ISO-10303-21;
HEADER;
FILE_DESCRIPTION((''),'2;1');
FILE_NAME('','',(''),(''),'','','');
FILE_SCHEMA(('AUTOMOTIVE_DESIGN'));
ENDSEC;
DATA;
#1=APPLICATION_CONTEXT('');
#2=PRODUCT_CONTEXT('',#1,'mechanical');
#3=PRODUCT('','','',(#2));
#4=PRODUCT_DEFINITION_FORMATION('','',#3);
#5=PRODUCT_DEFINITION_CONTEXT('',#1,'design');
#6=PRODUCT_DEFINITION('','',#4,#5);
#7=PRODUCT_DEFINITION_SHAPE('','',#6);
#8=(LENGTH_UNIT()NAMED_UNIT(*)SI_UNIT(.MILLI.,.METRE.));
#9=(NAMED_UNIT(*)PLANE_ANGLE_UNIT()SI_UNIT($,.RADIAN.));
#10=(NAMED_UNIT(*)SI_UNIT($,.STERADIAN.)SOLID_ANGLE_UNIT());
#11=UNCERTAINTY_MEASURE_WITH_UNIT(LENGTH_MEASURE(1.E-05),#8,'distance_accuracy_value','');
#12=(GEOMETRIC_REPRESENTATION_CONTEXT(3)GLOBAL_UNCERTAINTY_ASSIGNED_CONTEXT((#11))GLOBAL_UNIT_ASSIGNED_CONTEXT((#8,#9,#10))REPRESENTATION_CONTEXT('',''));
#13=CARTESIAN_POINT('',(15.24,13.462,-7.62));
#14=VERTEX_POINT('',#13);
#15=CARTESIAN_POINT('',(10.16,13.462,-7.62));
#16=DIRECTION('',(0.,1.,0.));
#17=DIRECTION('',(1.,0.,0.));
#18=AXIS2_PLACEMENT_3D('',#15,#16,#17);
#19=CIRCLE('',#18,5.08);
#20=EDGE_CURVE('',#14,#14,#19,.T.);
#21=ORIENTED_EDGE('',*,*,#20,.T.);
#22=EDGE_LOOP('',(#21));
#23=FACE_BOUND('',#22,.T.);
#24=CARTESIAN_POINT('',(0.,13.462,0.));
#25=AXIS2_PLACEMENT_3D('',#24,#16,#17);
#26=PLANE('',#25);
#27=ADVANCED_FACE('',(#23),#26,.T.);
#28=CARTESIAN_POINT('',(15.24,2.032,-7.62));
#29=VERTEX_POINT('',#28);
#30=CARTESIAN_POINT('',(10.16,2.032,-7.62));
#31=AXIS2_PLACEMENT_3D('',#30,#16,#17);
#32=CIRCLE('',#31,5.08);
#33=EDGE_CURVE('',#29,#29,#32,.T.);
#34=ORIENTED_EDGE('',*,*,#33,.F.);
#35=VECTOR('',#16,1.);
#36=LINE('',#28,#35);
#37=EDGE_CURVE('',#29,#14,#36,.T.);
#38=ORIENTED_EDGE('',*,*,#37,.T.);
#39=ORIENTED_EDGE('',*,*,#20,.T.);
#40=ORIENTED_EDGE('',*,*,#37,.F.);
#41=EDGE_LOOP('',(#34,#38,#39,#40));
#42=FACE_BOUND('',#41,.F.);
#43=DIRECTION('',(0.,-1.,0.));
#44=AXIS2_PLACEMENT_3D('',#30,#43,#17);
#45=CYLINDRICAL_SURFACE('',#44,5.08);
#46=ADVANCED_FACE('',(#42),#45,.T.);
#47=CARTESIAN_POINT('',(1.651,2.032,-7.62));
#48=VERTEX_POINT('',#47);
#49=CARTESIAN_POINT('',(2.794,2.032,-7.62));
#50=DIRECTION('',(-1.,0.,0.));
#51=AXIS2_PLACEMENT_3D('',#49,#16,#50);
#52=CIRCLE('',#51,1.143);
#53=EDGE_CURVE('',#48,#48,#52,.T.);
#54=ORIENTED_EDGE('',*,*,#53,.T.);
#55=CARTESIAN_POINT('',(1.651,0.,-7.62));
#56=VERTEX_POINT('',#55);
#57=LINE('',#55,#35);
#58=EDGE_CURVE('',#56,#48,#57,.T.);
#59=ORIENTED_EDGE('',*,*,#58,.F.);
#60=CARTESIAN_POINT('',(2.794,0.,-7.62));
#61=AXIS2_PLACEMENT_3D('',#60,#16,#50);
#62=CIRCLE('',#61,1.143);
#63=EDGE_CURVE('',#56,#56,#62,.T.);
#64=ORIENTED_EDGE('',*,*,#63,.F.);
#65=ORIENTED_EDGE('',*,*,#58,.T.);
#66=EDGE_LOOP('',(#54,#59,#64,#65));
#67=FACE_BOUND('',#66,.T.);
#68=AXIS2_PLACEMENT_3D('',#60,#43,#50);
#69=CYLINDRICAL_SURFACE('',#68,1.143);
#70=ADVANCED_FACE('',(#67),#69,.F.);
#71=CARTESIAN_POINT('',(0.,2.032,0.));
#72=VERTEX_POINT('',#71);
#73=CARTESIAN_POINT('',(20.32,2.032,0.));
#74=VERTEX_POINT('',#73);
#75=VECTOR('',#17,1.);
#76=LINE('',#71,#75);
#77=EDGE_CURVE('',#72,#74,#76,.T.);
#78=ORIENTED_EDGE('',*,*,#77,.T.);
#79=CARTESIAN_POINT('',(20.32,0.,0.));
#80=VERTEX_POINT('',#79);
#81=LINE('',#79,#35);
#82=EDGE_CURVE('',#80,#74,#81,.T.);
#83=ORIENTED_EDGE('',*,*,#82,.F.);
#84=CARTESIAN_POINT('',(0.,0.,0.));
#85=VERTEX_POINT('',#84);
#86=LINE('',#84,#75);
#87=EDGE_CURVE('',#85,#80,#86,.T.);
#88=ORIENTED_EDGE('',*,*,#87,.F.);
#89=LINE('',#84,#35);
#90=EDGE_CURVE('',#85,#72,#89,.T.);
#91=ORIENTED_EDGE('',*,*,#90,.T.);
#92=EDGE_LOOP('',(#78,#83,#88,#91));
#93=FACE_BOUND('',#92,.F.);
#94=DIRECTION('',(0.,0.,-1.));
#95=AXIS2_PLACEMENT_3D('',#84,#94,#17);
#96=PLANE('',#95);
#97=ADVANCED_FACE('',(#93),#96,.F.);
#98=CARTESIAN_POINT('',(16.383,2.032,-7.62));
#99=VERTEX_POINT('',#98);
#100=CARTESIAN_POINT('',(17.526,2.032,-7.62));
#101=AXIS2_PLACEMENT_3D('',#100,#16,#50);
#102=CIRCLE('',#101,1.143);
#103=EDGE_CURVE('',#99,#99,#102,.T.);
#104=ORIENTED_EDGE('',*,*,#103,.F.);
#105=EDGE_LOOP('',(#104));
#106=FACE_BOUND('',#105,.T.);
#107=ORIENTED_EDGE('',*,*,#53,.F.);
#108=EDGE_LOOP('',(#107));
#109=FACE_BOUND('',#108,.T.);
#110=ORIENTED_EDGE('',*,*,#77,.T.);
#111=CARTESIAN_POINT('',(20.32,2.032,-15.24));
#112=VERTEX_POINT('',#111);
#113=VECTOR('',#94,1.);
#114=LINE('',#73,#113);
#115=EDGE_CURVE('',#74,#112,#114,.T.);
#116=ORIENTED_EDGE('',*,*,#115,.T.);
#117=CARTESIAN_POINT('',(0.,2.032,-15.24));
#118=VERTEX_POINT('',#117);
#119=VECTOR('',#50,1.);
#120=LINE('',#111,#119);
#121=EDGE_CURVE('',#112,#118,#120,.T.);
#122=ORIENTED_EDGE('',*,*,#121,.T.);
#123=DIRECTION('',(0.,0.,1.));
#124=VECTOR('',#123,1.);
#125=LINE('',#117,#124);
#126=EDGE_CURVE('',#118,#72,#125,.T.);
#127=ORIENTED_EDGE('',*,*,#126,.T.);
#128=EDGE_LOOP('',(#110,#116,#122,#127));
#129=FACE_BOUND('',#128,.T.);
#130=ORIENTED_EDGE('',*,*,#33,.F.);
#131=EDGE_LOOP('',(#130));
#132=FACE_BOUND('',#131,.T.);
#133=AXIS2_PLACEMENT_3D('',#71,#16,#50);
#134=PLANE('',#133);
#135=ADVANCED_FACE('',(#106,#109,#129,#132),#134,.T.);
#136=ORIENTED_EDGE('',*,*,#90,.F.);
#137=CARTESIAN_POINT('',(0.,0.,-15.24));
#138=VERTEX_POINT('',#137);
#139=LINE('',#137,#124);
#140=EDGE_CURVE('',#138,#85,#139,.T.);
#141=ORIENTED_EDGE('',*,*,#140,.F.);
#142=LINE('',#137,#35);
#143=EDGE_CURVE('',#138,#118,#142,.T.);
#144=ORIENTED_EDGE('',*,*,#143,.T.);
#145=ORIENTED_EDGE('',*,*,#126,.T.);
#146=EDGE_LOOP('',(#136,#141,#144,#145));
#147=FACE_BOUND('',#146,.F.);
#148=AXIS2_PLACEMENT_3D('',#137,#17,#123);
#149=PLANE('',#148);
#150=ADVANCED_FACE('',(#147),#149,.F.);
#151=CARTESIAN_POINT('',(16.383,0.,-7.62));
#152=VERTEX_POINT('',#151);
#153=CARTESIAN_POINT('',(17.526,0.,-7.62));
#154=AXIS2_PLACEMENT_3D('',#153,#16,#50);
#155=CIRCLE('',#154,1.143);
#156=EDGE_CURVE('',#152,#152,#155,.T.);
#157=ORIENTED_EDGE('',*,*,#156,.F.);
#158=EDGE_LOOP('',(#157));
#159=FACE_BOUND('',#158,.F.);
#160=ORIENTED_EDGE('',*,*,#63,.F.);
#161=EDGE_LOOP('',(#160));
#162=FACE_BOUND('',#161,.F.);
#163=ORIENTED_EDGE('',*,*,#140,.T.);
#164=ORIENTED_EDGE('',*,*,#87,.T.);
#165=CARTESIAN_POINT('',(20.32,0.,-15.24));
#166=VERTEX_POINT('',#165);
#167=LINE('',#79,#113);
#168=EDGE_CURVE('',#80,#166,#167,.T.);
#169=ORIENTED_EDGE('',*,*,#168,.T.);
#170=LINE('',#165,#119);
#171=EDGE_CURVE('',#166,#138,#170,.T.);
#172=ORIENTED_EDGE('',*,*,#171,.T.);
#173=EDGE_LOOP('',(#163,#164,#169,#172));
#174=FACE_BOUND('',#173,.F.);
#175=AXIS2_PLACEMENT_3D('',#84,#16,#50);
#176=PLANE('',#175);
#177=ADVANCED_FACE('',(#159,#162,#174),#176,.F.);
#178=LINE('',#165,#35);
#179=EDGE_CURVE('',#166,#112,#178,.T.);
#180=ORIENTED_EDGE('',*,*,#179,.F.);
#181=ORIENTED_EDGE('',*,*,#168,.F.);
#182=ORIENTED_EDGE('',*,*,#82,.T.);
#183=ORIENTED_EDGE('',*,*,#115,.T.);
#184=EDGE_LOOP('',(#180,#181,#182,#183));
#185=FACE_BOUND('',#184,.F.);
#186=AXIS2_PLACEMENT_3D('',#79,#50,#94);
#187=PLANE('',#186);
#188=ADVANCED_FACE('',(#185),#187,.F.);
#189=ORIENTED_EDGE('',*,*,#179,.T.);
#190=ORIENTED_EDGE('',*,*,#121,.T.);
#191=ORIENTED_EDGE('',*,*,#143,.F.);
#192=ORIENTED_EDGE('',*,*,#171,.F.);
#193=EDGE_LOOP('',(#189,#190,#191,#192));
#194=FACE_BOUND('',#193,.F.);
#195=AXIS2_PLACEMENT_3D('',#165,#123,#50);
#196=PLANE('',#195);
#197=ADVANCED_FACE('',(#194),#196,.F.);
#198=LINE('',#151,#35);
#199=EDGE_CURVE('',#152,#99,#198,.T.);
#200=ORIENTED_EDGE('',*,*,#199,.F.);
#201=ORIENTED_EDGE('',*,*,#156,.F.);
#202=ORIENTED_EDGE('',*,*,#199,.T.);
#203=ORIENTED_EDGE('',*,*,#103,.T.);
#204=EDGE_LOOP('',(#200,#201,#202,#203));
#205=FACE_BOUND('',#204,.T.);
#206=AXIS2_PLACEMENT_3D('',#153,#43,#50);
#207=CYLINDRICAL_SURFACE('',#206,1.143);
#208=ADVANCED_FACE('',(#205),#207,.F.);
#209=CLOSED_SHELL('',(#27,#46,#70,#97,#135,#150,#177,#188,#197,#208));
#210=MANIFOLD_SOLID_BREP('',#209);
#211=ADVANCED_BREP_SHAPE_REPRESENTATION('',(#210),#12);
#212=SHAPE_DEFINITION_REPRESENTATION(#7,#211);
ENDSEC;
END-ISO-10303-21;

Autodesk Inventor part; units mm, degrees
ref_plane "YZ Plane" through (0, 0, 0) normal (1, 0, 0) x (0, 1, 0)
ref_plane "XZ Plane" through (0, 0, 0) normal (0, 1, 0) x (-1, 0, 0)
ref_plane "XY Plane" through (0, 0, 0) normal (0, 0, 1) x (1, 0, 0)
sketch "Sketch1" plane through (0, 0, 0) normal (0, 1, 0) x (-1, 0, 0)
  line L0 (0, 0) -> (-20.32, 0)
  line L1 (-20.32, 0) -> (-20.32, -15.24)
  line L2 (-20.32, -15.24) -> (0, -15.24)
  line L3 (0, -15.24) -> (0, 0)
  line L4 (-20.32, -7.62) -> (0, -7.62) construction
  circle A0 centre (-17.526, -7.62) radius 1.143
  circle A1 centre (-2.794, -7.62) radius 1.143
  dimension "d0" = 20.32
  dimension "d1" = 15.24
  dimension "d2" = 14.732
  dimension "d3" = 2.794
  dimension "d4" = 2.286
  dimension "d5" = 2.286
extrude "Extrusion1" add sketch "Sketch1" along normal blind 2.032
sketch "Sketch2" plane through (0, 2.032, 0) normal (0, 1, 0) x (1, 0, 0)
  line L0 (0, 15.24) -> (0, 0) construction
  line L1 (0, 7.62) -> (20.32, 7.62) construction
  line L2 (20.32, 0) -> (20.32, 15.24) construction
  line L3 (20.32, 15.24) -> (0, 15.24) construction
  line L4 (10.16, 15.24) -> (10.16, 0) construction
  line L5 (0, 0) -> (20.32, 0) construction
  circle A0 centre (10.16, 7.62) radius 5.08
  dimension "d8" = 10.16
extrude "Extrusion2" add sketch "Sketch2" along normal blind 11.43
properties part number "half_inch_castor"
